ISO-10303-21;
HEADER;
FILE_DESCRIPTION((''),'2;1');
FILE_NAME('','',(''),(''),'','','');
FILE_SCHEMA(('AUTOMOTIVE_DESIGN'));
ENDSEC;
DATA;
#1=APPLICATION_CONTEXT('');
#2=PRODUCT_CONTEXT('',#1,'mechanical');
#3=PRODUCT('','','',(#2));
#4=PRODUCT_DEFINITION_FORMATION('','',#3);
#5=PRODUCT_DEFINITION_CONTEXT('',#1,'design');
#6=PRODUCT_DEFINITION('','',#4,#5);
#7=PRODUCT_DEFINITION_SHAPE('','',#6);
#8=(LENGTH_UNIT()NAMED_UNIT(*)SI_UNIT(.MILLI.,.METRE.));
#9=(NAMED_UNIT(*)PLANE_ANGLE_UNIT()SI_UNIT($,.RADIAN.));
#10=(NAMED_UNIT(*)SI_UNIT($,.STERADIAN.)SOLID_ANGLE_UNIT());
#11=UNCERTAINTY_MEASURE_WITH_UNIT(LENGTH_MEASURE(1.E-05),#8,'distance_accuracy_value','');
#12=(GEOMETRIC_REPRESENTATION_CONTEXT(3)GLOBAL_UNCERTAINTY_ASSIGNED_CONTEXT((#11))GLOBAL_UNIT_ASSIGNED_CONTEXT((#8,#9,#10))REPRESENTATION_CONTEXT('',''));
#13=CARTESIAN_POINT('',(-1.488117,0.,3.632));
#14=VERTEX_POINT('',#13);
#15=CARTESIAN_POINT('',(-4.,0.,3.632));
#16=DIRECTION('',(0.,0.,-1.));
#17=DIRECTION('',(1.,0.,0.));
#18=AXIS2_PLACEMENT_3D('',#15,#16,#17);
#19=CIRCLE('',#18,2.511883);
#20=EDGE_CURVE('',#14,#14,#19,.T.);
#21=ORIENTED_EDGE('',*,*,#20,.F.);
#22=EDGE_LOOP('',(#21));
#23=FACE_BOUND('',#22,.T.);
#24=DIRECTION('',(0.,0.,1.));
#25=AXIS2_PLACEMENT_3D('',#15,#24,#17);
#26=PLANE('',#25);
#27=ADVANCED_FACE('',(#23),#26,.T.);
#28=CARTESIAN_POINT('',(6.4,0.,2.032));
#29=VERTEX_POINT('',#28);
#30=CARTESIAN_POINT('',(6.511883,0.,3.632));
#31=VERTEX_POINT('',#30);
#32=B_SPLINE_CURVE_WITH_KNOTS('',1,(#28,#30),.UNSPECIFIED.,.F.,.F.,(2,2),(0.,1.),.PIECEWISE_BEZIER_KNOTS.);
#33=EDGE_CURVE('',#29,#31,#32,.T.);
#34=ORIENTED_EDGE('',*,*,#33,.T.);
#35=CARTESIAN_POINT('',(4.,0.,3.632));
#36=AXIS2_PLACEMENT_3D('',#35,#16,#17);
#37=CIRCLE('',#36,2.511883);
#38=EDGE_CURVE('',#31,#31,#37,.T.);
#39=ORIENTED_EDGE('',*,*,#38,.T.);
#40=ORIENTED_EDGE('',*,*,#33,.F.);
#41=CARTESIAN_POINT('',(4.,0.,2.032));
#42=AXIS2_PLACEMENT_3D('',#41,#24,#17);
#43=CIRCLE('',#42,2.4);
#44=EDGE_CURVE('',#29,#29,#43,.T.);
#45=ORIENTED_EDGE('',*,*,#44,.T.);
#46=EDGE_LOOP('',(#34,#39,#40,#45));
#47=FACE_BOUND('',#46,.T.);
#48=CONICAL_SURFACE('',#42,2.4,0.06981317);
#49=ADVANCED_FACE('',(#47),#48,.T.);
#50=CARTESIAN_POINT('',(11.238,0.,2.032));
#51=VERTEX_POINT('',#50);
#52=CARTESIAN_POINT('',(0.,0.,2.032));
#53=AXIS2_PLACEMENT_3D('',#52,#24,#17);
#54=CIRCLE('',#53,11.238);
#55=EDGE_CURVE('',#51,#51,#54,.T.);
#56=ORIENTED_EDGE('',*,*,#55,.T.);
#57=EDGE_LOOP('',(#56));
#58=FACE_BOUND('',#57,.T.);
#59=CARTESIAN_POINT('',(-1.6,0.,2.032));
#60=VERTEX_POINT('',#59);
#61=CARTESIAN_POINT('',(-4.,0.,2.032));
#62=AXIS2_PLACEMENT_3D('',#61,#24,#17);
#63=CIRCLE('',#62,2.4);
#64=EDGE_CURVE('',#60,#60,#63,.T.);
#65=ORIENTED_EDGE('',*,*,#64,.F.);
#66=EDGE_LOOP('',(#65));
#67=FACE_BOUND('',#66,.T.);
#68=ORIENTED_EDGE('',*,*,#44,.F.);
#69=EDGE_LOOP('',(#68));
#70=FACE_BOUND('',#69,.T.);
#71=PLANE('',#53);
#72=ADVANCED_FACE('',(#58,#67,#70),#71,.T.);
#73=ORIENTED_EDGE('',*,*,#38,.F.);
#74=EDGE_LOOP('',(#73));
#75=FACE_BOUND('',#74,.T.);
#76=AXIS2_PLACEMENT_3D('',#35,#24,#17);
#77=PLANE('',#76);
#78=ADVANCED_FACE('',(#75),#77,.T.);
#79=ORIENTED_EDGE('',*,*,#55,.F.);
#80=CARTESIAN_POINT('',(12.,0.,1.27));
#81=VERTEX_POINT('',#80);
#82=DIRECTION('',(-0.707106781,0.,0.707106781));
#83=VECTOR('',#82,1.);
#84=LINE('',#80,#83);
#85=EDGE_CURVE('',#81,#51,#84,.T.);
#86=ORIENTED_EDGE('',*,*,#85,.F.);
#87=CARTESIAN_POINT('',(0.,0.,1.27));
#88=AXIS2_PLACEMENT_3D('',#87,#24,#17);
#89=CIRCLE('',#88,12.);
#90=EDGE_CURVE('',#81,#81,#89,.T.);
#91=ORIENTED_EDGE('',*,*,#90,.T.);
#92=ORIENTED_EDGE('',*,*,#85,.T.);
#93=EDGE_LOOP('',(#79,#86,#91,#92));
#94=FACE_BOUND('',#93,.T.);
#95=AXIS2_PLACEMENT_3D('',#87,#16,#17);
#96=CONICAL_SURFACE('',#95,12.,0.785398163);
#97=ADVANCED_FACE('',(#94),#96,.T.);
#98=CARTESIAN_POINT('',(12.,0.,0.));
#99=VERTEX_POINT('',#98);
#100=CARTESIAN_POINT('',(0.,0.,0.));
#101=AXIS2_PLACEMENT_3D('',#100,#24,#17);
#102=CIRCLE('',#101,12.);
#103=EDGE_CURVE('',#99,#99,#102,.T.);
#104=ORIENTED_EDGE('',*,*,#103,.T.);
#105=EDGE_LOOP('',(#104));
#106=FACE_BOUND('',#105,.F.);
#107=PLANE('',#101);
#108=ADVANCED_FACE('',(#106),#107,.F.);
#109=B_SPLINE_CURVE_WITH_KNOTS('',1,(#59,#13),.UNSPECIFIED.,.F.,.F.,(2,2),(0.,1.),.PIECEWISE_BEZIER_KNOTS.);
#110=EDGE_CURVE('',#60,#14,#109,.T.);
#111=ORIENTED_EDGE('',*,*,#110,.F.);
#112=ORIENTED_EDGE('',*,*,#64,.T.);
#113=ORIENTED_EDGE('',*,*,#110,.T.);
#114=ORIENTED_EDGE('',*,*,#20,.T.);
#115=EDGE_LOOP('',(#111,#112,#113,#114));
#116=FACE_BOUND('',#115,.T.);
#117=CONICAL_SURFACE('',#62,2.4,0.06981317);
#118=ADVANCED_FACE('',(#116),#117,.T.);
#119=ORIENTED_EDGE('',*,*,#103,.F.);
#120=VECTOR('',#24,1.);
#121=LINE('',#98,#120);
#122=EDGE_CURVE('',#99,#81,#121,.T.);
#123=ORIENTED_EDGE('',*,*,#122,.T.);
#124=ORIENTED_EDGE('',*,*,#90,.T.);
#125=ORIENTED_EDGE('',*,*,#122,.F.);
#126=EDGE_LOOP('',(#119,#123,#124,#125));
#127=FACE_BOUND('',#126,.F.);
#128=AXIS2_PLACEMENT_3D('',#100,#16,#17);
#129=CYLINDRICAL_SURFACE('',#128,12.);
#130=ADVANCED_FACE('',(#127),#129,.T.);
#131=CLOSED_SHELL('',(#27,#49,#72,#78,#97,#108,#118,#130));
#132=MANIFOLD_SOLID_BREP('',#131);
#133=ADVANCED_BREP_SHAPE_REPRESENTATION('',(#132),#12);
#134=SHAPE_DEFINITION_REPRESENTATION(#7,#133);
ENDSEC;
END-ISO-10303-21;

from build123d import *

# Parameters (mm, degrees)
F0_R     = 12
F1_DEPTH = 2.032
F2_SIZE  = 0.762
F3_R     = 2.4
F4_DEPTH = 1.6
F4_TAPER = -4


with BuildPart() as f1:
    # F0 (on Top) → F1 (new body)
    with BuildSketch(Plane.XY):
        Circle(F0_R)
    extrude(amount=F1_DEPTH)

    # F2
    f2_edges = [f1.edges().sort_by_distance(p)[0] for p in [
        (-12, 0, 2.032),
    ]]
    chamfer(f2_edges, length=F2_SIZE)

    # F3 (on face) → F4 (join)
    with BuildSketch(Plane.XY.offset(2.032)):
        with Locations((4, 0)):
            Circle(F3_R)
        with Locations((-4, 0)):
            Circle(F3_R)
    extrude(amount=F4_DEPTH, taper=F4_TAPER)


solid = f1.part
